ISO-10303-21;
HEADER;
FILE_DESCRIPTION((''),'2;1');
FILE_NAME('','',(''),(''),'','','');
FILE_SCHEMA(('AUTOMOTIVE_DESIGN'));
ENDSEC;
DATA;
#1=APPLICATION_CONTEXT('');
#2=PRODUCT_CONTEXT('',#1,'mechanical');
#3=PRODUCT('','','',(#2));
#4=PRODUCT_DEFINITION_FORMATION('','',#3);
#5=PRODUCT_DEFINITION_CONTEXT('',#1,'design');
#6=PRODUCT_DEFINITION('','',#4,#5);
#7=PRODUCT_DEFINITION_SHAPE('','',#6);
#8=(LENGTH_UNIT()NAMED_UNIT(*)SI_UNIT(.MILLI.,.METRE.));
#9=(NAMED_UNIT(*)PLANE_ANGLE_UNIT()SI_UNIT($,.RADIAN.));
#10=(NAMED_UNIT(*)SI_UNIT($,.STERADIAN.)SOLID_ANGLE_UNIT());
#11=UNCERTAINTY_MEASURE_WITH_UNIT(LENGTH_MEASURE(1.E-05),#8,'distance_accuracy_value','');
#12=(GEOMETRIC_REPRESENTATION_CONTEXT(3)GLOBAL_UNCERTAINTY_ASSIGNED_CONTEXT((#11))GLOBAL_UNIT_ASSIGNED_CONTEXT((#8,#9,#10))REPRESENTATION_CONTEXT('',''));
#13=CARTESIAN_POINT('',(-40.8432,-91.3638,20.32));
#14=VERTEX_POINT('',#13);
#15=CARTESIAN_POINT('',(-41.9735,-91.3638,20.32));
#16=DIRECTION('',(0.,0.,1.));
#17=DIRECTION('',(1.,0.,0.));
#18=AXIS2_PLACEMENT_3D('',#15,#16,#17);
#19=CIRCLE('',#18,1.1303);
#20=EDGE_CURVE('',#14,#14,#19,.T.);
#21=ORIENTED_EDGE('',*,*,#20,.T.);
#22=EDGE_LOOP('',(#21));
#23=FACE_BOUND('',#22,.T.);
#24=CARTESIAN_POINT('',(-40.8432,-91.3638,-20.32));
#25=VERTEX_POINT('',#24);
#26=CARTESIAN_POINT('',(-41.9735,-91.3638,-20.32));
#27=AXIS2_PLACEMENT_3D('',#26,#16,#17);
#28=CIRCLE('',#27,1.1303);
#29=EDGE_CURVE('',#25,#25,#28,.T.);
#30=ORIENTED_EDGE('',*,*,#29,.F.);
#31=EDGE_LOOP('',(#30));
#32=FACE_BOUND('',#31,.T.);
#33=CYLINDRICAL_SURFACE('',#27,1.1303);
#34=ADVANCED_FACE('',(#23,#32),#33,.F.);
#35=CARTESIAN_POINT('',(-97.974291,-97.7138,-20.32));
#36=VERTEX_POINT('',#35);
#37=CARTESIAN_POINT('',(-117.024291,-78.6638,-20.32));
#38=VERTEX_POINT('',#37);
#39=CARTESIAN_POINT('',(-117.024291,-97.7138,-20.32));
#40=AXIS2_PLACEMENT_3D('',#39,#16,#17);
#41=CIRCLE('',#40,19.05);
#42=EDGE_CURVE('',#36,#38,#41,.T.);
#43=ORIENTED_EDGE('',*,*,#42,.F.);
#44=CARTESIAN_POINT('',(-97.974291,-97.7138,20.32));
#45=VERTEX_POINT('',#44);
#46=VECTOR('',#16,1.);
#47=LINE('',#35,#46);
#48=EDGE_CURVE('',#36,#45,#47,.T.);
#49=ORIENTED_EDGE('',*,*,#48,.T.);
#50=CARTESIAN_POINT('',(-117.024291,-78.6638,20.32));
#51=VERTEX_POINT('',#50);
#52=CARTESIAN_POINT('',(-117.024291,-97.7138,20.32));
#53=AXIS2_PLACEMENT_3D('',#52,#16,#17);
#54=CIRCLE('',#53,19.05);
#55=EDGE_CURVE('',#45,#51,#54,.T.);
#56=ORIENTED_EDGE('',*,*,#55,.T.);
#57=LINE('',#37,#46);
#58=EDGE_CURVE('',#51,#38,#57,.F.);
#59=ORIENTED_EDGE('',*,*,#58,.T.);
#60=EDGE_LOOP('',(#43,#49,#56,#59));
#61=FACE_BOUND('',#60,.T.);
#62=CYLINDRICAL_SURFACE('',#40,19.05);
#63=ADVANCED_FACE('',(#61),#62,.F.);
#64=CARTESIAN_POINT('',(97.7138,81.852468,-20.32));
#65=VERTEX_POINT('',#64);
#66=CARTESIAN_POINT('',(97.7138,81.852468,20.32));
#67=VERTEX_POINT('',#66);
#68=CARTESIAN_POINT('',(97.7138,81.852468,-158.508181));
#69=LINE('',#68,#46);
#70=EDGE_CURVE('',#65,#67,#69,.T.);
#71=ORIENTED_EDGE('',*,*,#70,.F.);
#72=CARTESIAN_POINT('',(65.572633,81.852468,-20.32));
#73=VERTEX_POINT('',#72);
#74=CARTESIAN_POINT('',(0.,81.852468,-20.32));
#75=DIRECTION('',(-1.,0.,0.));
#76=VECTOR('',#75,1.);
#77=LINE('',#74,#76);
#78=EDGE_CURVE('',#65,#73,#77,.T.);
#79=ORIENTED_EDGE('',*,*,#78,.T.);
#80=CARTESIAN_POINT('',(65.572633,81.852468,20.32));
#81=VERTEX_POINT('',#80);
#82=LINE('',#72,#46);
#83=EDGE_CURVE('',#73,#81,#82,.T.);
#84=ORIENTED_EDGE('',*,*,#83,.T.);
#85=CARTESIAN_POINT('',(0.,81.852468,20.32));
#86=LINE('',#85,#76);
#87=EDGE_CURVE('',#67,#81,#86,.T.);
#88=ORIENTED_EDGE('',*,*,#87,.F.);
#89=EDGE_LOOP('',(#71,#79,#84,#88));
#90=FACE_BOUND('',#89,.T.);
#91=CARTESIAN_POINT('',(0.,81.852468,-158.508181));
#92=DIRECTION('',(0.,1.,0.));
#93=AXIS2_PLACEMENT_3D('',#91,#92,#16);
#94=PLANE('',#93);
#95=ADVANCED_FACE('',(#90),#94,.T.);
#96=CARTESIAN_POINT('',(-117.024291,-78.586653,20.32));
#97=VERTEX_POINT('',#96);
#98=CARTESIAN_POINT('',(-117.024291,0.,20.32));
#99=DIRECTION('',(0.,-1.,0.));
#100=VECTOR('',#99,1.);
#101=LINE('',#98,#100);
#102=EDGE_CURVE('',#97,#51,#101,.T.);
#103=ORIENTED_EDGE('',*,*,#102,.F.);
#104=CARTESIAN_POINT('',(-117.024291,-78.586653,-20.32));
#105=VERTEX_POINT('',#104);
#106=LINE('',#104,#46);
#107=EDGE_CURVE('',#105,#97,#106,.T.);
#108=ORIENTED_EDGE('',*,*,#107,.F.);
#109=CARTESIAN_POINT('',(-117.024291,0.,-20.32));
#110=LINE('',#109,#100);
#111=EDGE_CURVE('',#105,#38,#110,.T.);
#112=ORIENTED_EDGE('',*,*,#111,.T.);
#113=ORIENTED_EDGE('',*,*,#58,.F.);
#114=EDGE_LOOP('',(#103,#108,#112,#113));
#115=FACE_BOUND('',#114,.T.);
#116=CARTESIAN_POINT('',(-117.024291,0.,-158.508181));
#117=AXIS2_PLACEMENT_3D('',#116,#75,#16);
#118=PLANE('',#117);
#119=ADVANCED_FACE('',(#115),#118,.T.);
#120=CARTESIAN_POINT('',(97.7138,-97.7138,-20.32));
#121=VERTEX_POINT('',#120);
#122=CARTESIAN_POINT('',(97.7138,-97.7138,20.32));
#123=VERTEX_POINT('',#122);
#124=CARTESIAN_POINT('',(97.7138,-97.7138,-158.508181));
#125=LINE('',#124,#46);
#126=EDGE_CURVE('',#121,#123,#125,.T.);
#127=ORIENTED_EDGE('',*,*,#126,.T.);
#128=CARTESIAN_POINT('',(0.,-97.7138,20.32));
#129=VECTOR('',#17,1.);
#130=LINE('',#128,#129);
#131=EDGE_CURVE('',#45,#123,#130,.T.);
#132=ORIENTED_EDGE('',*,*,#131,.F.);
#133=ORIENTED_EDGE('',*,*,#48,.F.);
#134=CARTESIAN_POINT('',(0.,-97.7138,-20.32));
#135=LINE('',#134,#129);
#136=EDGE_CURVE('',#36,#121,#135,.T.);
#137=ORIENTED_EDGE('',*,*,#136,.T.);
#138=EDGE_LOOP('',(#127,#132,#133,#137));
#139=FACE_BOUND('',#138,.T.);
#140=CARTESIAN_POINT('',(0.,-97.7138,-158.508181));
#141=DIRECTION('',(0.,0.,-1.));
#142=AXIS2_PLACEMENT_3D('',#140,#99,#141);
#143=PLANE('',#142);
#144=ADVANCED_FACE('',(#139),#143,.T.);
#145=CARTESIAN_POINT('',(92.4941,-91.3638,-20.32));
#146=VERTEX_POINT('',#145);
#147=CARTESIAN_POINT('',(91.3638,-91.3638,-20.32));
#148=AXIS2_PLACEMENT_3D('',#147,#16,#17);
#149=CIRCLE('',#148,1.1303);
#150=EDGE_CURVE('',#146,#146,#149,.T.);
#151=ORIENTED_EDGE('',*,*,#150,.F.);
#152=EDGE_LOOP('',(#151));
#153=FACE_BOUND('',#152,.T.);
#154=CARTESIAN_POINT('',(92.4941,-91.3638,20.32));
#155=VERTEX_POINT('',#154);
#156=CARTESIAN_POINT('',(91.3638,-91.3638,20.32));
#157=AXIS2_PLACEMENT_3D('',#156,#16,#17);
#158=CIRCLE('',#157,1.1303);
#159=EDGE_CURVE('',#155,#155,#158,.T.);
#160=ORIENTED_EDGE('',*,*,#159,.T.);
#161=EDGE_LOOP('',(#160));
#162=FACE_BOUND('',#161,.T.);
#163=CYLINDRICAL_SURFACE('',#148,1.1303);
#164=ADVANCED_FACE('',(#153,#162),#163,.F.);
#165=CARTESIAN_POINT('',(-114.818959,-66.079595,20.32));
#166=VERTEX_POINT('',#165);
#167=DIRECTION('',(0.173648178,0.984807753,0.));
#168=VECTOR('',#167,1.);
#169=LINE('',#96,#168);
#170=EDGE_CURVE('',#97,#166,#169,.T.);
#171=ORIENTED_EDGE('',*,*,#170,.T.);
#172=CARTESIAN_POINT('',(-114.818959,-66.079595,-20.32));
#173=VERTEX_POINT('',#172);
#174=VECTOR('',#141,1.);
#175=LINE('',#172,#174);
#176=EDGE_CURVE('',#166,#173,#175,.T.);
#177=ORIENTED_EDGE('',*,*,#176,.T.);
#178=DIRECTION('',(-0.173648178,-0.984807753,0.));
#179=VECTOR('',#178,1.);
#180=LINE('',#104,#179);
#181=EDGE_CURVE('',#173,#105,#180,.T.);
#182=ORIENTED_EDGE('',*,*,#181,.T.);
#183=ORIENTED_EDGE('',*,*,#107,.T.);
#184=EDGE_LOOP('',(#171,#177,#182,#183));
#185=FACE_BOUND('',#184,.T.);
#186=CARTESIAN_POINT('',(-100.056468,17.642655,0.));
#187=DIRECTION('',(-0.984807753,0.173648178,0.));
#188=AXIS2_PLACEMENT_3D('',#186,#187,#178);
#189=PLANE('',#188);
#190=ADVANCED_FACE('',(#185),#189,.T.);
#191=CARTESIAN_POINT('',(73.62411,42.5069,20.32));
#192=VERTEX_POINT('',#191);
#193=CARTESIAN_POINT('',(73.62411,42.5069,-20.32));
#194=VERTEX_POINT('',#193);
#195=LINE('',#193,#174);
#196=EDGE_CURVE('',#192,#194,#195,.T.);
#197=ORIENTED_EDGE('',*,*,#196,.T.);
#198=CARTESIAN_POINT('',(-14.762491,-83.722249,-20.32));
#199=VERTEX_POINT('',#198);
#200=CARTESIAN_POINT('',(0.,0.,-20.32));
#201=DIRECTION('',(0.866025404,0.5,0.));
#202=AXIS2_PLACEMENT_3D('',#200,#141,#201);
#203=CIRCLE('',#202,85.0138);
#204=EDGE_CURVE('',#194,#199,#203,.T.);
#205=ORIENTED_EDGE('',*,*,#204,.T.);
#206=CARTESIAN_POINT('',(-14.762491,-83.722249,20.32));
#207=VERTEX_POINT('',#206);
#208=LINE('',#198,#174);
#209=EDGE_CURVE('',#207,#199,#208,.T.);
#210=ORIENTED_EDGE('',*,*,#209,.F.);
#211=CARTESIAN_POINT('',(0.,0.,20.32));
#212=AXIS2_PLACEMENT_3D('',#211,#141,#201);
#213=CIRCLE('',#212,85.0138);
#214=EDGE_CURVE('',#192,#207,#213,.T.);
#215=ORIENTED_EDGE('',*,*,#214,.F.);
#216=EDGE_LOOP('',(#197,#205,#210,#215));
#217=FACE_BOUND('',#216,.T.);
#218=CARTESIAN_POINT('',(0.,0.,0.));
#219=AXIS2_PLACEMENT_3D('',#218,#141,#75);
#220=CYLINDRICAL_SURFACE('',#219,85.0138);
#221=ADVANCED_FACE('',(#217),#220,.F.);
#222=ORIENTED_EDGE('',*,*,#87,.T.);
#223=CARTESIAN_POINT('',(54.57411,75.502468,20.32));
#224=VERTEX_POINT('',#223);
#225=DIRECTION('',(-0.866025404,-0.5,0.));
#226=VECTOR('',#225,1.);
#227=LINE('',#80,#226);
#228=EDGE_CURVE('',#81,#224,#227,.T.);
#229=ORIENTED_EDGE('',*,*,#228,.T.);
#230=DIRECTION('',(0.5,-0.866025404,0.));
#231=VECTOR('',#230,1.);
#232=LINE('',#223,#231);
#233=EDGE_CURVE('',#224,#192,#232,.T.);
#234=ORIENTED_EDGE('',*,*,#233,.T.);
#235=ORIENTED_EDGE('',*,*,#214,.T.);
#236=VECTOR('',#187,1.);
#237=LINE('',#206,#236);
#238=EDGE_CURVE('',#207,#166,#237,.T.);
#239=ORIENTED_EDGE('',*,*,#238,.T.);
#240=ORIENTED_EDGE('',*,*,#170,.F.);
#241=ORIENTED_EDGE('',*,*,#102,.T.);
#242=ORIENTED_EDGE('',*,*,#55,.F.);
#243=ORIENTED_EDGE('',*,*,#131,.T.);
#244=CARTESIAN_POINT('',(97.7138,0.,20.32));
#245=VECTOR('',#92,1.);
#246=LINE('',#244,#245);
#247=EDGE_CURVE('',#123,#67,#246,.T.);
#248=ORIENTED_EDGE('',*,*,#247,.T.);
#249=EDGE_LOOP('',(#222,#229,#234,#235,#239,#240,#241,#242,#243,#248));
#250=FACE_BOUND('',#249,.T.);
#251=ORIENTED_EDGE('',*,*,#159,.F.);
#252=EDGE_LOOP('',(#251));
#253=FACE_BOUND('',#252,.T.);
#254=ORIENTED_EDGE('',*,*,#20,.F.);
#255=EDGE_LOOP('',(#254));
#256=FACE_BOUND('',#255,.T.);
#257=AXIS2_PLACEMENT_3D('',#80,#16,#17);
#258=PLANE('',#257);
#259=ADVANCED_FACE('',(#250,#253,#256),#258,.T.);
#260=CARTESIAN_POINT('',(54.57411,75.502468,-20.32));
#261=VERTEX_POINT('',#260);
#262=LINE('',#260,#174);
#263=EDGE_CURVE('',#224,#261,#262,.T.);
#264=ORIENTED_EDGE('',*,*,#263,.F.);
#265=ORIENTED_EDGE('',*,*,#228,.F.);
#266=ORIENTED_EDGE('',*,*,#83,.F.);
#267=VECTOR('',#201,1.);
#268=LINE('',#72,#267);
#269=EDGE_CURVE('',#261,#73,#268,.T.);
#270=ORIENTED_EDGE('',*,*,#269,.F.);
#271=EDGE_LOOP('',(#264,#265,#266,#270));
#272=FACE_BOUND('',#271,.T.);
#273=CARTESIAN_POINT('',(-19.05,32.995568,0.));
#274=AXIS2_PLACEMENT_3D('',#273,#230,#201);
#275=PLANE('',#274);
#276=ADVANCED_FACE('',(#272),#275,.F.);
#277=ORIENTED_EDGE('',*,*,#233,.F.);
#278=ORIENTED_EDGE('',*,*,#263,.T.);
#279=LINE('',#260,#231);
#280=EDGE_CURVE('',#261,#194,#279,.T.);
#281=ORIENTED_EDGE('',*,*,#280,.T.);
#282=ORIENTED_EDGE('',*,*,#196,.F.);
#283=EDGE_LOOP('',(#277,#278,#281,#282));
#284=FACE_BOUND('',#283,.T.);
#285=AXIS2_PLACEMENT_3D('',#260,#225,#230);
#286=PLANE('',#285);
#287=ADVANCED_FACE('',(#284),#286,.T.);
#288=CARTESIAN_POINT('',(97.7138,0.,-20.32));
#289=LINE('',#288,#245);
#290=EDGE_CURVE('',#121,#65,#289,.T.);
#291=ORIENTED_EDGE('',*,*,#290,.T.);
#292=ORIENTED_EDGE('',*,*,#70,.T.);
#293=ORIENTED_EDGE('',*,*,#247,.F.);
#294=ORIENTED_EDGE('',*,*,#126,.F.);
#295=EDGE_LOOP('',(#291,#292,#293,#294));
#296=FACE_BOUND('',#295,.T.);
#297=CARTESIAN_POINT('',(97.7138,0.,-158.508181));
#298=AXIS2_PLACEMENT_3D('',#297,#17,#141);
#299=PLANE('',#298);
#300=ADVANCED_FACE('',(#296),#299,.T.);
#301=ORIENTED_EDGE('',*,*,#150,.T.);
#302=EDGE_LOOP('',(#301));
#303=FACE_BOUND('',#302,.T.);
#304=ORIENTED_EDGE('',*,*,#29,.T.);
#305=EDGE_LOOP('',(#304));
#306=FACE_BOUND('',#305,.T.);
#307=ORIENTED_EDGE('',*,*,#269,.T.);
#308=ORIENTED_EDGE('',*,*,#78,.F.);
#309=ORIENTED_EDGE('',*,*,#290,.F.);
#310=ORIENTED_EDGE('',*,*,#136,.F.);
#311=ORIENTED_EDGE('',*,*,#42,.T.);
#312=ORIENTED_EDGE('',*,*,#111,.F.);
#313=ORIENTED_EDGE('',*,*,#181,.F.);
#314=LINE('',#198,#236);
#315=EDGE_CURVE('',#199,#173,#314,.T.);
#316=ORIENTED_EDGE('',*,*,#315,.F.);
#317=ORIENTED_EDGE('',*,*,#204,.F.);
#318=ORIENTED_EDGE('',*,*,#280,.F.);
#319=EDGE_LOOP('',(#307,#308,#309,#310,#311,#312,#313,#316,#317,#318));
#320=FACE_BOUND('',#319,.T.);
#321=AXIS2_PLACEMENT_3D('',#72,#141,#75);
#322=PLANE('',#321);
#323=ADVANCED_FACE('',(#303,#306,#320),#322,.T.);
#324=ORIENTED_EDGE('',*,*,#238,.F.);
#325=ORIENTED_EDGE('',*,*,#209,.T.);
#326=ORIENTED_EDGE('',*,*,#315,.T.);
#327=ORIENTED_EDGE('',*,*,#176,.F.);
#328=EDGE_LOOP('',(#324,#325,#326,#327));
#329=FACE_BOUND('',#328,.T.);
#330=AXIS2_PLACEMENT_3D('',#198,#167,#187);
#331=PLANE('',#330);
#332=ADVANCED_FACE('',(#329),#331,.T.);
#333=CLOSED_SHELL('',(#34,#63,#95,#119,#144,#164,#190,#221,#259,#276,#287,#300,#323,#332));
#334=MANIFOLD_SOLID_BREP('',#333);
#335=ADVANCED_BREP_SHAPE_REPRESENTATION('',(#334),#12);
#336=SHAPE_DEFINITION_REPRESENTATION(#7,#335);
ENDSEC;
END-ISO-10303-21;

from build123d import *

# Parameters (mm, degrees)
BOSS_EXTRUDE1_DEPTH = 40.64
SKETCH6_R           = 1.1303
CUT_EXTRUDE1_DEPTH  = 158.779215984
SKETCH7_R           = 19.05
CUT_EXTRUDE2_DEPTH  = 158.779215984


with BuildPart() as part:
    # Sweep3: sweep along a path in Sketch2
    with BuildLine(Plane.XY) as sweep3_path:
        Line((-111.378641457, -46.568583299), (-11.322173751, -64.21123815))
        ThreePointArc((-11.322173751, -64.21123815), (53.410187761, -37.398216088), (56.466415172, 32.6009))
        Line((56.466415172, 32.6009), (37.416415172, 65.596467884))
    # 3DSketch1 → Sweep3 (sweep)
    with BuildSketch(Plane(origin=(-117.024291009, -78.586652965, -20.32), x_dir=(0.051794909001673446, 0.2937435257699459, 0.9544799780350292), z_dir=(0.984807753012208, -0.17364817766693055, 0))):
        Polygon((0, 0), (3.788092413, -12.121895721), (42.57815872, 0), (38.790066307, 12.121895721), align=None)
    sweep(path=sweep3_path.line)

    # Sketch5 → Boss-Extrude1 (add)
    with BuildSketch(Plane.XY.offset(20.32)):
        with BuildLine():
            Line((-16.967823303, -96.229307816), (-117.024291009, -78.586652965))
            Line((-117.024291009, -78.586652965), (-117.024291009, -97.7138))
            Line((-117.024291009, -97.7138), (3.02e-07, -97.7138))
            ThreePointArc((3.02e-07, -97.7138), (-8.516318665, -97.341969504), (-16.967823303, -96.229307816))
        make_face()
        with BuildLine():
            ThreePointArc((97.7138, -9e-08), (69.09409067, -69.094090521), (3.02e-07, -97.7138))
            Line((3.02e-07, -97.7138), (97.7138, -97.7138))
            Line((97.7138, -97.7138), (97.7138, -9e-08))
        make_face()
        with BuildLine():
            ThreePointArc((84.6226331, 48.8569), (94.384283017, 25.290192366), (97.7138, -9e-08))
            Line((97.7138, -9e-08), (97.7138, 81.852467884))
            Line((97.7138, 81.852467884), (65.5726331, 81.852467884))
            Line((65.5726331, 81.852467884), (84.6226331, 48.8569))
        make_face()
    extrude(amount=-BOSS_EXTRUDE1_DEPTH)

    # Sketch6 → Cut-Extrude1 (cut, through all)
    with BuildSketch(Plane.XY.offset(20.32)):
        with Locations((91.3638, -91.3638)):
            Circle(SKETCH6_R)
        with Locations((-41.9735, -91.3638)):
            Circle(SKETCH6_R)
    extrude(amount=-CUT_EXTRUDE1_DEPTH, mode=Mode.SUBTRACT)

    # Sketch7 → Cut-Extrude2 (cut, through all)
    with BuildSketch(Plane.XY.offset(20.32)):
        with Locations((-117.024291009, -97.7138)):
            Circle(SKETCH7_R)
    extrude(amount=-CUT_EXTRUDE2_DEPTH, mode=Mode.SUBTRACT)


solid = part.part
